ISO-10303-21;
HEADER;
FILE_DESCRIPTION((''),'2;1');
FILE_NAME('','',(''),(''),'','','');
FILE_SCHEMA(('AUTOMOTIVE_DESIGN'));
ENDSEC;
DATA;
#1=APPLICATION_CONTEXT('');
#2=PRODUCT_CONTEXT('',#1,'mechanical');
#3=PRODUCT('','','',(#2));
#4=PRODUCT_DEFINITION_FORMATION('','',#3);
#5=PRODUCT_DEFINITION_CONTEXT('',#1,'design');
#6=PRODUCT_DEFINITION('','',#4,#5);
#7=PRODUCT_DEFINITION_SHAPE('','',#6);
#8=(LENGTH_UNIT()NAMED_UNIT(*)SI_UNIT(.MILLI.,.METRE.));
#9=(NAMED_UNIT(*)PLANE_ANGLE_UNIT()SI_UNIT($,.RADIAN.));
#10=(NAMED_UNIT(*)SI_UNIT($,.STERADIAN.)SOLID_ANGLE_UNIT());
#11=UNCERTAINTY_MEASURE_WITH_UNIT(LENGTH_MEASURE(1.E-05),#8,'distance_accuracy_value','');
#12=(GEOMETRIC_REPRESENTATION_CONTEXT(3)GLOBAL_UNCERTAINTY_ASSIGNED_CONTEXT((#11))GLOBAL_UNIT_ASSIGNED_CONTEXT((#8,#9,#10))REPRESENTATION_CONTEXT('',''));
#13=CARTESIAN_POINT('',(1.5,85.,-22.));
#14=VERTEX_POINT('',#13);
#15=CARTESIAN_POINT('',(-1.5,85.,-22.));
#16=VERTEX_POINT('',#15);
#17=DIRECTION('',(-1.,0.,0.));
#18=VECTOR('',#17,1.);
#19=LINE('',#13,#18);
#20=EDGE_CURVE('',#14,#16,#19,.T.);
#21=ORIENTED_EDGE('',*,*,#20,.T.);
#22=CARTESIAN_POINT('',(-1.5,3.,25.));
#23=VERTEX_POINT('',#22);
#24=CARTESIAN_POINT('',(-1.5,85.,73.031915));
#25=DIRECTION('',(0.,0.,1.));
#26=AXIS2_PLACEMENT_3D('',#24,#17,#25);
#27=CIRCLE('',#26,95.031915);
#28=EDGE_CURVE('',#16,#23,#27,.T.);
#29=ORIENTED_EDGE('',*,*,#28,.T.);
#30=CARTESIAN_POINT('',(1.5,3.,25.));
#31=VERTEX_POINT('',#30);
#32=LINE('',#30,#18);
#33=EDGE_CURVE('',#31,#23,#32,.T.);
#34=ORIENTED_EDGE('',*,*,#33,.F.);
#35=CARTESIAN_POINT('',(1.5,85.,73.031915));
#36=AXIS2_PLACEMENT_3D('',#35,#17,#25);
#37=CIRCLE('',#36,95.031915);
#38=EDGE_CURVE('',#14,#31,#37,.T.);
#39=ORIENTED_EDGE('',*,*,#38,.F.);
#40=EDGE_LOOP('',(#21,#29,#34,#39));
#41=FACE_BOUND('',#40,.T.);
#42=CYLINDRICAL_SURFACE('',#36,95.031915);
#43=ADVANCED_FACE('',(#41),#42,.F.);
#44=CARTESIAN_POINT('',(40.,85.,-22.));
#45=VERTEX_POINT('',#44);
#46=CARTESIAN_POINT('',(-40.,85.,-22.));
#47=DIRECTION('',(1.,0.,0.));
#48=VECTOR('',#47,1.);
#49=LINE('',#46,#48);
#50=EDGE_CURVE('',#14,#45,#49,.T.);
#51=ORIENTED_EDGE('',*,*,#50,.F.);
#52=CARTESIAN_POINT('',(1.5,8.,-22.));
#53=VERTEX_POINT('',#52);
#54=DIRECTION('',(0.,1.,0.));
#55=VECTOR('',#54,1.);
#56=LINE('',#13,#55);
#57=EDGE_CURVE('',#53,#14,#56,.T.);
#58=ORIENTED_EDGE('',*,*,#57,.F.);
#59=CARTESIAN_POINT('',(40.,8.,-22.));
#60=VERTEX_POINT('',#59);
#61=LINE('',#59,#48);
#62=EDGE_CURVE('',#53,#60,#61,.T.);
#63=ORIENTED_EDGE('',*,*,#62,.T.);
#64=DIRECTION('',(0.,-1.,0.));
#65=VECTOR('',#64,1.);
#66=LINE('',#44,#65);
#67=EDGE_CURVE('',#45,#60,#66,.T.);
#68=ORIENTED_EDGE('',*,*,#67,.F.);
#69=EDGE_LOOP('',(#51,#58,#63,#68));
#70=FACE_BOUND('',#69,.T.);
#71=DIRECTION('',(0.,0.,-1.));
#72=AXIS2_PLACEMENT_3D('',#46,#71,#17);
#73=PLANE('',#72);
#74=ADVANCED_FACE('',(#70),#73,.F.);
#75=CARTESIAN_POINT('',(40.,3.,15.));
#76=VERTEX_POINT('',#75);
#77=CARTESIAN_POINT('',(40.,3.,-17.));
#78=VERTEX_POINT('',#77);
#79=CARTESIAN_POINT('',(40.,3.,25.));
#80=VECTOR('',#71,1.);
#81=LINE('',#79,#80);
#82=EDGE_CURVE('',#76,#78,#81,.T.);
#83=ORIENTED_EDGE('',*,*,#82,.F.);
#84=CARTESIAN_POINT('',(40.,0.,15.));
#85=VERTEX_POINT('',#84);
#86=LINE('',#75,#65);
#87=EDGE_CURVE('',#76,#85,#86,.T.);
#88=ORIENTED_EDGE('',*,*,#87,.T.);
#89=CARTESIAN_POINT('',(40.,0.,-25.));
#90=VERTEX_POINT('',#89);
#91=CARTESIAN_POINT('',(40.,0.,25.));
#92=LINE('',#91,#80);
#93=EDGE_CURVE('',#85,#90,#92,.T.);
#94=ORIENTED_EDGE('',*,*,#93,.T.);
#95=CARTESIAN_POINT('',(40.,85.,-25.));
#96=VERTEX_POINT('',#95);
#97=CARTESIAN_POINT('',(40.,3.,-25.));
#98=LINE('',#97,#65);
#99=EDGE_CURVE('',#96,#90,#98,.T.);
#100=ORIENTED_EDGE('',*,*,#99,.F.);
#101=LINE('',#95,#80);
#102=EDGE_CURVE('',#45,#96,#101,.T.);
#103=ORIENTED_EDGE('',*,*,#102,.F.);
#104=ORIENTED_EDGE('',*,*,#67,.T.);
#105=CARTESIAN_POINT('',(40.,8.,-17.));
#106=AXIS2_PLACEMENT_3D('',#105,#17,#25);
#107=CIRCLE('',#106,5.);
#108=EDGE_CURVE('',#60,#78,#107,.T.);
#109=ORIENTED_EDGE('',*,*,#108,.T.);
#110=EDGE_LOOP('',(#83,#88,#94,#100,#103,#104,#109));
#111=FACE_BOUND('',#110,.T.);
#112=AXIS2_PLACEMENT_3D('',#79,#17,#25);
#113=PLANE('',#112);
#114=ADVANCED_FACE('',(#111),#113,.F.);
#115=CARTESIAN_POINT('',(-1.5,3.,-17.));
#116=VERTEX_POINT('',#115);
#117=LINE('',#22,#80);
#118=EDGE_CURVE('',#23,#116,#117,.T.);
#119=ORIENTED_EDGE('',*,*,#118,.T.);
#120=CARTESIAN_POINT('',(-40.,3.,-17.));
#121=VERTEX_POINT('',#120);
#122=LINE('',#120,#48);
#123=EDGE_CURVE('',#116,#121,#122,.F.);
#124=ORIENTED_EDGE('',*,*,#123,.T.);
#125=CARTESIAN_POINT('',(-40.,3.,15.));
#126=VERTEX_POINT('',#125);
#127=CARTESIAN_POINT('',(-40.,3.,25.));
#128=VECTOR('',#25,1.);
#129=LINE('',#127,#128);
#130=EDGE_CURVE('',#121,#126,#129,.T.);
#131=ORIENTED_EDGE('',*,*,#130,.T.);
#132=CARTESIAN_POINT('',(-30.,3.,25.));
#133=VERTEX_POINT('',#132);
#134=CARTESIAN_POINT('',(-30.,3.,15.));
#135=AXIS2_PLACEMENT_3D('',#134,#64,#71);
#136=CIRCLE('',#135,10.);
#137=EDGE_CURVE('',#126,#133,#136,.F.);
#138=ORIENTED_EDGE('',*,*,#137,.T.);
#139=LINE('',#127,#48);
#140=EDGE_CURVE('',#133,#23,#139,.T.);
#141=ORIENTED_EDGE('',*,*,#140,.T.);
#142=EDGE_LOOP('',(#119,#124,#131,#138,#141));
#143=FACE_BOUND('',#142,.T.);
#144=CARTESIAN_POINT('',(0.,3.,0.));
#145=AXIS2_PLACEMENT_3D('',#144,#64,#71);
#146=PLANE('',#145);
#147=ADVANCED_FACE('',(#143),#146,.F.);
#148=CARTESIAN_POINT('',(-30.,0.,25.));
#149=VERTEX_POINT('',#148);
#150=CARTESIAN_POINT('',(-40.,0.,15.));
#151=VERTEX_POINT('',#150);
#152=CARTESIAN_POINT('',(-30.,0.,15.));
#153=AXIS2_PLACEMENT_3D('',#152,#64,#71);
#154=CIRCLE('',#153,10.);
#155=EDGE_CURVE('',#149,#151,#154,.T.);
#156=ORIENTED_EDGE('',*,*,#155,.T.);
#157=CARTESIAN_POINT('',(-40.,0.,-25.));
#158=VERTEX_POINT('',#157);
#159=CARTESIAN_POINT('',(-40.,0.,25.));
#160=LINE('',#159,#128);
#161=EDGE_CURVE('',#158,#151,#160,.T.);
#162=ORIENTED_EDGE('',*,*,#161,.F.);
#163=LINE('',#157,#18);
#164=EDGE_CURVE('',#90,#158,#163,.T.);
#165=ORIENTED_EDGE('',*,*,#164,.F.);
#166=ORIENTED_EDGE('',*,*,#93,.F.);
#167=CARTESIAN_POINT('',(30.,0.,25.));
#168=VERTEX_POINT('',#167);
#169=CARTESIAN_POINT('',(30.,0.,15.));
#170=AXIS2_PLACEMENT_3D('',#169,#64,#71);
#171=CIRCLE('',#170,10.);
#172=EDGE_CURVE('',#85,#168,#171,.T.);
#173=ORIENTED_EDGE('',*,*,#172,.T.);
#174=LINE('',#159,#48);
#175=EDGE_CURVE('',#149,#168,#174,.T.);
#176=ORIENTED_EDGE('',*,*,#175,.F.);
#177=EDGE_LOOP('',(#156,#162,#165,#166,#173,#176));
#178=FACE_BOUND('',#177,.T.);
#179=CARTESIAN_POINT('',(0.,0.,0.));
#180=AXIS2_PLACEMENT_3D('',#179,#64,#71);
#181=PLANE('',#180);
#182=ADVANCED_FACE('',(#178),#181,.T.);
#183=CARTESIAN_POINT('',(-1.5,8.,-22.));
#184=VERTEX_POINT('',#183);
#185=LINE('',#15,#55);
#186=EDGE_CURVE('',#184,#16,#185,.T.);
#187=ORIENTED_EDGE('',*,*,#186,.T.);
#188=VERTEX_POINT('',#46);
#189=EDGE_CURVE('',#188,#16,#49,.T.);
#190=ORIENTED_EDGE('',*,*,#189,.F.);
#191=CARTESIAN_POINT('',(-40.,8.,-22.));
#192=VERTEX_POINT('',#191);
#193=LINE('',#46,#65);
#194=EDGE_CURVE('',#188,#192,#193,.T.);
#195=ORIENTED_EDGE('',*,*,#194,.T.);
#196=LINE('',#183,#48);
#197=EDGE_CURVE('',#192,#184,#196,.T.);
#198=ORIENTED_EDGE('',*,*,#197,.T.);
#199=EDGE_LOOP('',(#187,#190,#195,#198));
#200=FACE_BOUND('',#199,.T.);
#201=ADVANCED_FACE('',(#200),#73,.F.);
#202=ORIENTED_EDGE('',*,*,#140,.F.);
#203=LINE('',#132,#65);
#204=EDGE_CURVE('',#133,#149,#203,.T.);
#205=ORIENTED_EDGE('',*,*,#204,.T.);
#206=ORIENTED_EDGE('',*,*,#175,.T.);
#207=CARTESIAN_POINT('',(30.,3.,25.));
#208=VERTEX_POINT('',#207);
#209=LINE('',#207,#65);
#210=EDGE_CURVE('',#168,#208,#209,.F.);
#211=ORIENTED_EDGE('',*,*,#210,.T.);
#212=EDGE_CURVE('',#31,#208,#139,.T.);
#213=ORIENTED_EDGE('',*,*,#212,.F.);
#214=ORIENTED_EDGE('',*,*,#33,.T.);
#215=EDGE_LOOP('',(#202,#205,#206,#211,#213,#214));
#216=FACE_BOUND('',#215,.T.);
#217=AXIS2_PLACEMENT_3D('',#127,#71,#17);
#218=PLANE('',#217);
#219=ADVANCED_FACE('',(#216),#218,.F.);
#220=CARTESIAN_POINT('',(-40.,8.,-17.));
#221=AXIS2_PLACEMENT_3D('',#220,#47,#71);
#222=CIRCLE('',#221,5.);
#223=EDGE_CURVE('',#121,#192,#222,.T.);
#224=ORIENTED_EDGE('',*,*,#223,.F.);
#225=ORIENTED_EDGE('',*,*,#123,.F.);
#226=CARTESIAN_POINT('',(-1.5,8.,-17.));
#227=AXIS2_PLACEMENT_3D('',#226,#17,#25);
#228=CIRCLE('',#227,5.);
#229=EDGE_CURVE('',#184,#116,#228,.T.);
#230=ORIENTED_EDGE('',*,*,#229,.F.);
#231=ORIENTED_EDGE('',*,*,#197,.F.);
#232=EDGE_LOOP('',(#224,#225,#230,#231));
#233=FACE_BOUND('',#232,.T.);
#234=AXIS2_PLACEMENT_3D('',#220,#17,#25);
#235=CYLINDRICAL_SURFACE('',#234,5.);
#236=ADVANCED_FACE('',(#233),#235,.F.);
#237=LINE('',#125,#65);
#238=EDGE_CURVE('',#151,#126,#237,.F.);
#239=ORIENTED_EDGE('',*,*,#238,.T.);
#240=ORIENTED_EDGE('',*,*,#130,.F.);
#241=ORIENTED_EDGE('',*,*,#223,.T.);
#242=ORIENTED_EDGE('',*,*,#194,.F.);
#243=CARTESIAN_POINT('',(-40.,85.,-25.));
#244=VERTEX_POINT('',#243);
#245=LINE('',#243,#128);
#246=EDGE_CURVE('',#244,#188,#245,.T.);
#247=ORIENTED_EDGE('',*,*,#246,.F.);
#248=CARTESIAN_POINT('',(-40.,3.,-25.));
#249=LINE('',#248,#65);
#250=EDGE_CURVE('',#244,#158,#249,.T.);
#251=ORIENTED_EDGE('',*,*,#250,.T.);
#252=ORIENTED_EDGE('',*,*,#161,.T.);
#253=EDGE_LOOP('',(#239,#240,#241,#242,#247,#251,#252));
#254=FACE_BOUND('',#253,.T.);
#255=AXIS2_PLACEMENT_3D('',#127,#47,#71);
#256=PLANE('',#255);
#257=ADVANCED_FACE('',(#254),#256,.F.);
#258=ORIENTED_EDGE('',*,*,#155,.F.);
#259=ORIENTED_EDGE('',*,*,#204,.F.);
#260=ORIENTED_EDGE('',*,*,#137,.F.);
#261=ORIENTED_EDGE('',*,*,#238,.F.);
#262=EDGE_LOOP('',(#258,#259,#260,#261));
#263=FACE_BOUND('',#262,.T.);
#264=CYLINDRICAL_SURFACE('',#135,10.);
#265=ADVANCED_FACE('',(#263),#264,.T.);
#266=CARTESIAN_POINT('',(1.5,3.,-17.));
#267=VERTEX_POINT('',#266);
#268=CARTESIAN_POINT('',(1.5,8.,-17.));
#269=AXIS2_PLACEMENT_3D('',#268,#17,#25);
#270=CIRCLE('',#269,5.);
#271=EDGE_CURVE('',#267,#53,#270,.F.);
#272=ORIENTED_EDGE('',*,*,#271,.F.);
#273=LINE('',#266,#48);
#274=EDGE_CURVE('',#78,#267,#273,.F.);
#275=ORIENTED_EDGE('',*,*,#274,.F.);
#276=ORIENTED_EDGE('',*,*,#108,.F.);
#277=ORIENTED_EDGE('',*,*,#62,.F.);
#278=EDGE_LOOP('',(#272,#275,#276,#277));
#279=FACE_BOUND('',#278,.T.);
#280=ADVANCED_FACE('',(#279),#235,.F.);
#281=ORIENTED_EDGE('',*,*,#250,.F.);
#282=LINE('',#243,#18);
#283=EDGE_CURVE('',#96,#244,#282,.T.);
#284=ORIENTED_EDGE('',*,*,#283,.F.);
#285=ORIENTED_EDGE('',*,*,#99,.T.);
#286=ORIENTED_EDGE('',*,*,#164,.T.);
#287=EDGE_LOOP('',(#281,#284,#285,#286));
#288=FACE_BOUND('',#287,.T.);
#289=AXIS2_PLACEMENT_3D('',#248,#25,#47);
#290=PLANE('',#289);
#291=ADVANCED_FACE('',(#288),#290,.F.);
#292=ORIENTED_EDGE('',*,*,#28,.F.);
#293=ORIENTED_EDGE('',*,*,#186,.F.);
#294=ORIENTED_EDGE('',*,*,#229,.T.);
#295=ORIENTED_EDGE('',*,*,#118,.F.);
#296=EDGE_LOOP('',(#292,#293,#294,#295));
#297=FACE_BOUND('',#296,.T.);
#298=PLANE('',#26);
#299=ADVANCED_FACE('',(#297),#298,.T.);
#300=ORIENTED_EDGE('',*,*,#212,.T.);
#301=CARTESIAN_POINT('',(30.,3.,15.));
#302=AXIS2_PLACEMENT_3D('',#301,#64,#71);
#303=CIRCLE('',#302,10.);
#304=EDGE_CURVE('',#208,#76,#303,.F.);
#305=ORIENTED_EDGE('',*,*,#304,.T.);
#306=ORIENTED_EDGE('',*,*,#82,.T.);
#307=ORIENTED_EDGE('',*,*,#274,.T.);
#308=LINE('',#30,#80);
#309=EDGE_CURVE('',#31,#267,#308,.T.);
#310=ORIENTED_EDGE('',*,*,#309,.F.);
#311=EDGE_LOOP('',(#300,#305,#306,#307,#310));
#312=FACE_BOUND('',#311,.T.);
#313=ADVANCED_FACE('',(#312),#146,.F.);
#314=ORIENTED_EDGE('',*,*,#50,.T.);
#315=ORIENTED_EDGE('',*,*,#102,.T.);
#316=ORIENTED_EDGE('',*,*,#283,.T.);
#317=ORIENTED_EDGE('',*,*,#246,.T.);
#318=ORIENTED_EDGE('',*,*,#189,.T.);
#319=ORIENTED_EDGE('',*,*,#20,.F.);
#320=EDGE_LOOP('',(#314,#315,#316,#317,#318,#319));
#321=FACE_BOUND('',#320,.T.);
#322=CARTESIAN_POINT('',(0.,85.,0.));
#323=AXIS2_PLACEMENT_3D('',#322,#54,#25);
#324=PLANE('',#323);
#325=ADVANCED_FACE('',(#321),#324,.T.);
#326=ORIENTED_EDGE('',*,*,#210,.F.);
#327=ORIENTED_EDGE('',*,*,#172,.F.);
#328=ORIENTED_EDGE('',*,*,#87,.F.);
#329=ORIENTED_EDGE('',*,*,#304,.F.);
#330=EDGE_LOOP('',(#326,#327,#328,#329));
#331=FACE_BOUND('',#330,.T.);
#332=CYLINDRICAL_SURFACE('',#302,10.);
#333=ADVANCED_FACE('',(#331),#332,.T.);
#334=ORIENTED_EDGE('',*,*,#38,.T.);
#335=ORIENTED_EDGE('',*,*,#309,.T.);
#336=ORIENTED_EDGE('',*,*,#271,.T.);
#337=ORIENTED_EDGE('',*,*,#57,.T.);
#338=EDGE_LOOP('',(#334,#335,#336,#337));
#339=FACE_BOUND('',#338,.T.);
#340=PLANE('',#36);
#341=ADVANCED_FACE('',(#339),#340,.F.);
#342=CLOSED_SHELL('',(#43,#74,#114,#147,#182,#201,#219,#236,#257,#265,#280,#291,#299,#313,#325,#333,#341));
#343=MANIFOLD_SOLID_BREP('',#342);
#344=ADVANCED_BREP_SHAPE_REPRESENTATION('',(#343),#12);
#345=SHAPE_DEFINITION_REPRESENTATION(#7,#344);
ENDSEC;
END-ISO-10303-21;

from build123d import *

# Parameters (mm, degrees)
SKETCH1_W           = 80
SKETCH1_H           = 50
BOSS_EXTRUDE1_DEPTH = 3
SKETCH2_W           = 80
SKETCH2_H           = 3
BOSS_EXTRUDE2_DEPTH = 82
BOSS_EXTRUDE3_DEPTH = 1.5
FILLET1_R           = 10
FILLET2_R           = 5


with BuildPart() as part:
    # Sketch1 → Boss-Extrude1 (new body)
    with BuildSketch(Plane(origin=(0, 0, 0), x_dir=(1, 0, 0), z_dir=(0, 1, 0))):
        Rectangle(SKETCH1_W, SKETCH1_H)
    extrude(amount=BOSS_EXTRUDE1_DEPTH)

    # Sketch2 → Boss-Extrude2 (add)
    with BuildSketch(Plane(origin=(0, 3, 0), x_dir=(1, 0, 0), z_dir=(0, 1, 0))):
        with Locations((0, 23.5)):
            Rectangle(SKETCH2_W, SKETCH2_H)
    extrude(amount=BOSS_EXTRUDE2_DEPTH)

    # Sketch3 → Boss-Extrude3 (add, symmetric)
    with BuildSketch(Plane(origin=(0, 0, 0), x_dir=(0, 0, -1), z_dir=(1, 0, 0))):
        with BuildLine():
            Line((22, 85), (22, 3))
            Line((22, 3), (-25, 3))
            ThreePointArc((-25, 3), (9.416947126, 37.742725428), (22, 85))
        make_face()
    extrude(amount=BOSS_EXTRUDE3_DEPTH, both=True)

    # Fillet1
    fillet1_edges = [part.edges().sort_by_distance(p)[0] for p in [
        (40, 1.5, 25),
        (-40, 1.5, 25),
    ]]
    fillet(fillet1_edges, radius=FILLET1_R)

    # Fillet2
    fillet2_edges = [part.edges().sort_by_distance(p)[0] for p in [
        (-20.75, 3, -22),
        (20.75, 3, -22),
    ]]
    fillet(fillet2_edges, radius=FILLET2_R)


solid = part.part
